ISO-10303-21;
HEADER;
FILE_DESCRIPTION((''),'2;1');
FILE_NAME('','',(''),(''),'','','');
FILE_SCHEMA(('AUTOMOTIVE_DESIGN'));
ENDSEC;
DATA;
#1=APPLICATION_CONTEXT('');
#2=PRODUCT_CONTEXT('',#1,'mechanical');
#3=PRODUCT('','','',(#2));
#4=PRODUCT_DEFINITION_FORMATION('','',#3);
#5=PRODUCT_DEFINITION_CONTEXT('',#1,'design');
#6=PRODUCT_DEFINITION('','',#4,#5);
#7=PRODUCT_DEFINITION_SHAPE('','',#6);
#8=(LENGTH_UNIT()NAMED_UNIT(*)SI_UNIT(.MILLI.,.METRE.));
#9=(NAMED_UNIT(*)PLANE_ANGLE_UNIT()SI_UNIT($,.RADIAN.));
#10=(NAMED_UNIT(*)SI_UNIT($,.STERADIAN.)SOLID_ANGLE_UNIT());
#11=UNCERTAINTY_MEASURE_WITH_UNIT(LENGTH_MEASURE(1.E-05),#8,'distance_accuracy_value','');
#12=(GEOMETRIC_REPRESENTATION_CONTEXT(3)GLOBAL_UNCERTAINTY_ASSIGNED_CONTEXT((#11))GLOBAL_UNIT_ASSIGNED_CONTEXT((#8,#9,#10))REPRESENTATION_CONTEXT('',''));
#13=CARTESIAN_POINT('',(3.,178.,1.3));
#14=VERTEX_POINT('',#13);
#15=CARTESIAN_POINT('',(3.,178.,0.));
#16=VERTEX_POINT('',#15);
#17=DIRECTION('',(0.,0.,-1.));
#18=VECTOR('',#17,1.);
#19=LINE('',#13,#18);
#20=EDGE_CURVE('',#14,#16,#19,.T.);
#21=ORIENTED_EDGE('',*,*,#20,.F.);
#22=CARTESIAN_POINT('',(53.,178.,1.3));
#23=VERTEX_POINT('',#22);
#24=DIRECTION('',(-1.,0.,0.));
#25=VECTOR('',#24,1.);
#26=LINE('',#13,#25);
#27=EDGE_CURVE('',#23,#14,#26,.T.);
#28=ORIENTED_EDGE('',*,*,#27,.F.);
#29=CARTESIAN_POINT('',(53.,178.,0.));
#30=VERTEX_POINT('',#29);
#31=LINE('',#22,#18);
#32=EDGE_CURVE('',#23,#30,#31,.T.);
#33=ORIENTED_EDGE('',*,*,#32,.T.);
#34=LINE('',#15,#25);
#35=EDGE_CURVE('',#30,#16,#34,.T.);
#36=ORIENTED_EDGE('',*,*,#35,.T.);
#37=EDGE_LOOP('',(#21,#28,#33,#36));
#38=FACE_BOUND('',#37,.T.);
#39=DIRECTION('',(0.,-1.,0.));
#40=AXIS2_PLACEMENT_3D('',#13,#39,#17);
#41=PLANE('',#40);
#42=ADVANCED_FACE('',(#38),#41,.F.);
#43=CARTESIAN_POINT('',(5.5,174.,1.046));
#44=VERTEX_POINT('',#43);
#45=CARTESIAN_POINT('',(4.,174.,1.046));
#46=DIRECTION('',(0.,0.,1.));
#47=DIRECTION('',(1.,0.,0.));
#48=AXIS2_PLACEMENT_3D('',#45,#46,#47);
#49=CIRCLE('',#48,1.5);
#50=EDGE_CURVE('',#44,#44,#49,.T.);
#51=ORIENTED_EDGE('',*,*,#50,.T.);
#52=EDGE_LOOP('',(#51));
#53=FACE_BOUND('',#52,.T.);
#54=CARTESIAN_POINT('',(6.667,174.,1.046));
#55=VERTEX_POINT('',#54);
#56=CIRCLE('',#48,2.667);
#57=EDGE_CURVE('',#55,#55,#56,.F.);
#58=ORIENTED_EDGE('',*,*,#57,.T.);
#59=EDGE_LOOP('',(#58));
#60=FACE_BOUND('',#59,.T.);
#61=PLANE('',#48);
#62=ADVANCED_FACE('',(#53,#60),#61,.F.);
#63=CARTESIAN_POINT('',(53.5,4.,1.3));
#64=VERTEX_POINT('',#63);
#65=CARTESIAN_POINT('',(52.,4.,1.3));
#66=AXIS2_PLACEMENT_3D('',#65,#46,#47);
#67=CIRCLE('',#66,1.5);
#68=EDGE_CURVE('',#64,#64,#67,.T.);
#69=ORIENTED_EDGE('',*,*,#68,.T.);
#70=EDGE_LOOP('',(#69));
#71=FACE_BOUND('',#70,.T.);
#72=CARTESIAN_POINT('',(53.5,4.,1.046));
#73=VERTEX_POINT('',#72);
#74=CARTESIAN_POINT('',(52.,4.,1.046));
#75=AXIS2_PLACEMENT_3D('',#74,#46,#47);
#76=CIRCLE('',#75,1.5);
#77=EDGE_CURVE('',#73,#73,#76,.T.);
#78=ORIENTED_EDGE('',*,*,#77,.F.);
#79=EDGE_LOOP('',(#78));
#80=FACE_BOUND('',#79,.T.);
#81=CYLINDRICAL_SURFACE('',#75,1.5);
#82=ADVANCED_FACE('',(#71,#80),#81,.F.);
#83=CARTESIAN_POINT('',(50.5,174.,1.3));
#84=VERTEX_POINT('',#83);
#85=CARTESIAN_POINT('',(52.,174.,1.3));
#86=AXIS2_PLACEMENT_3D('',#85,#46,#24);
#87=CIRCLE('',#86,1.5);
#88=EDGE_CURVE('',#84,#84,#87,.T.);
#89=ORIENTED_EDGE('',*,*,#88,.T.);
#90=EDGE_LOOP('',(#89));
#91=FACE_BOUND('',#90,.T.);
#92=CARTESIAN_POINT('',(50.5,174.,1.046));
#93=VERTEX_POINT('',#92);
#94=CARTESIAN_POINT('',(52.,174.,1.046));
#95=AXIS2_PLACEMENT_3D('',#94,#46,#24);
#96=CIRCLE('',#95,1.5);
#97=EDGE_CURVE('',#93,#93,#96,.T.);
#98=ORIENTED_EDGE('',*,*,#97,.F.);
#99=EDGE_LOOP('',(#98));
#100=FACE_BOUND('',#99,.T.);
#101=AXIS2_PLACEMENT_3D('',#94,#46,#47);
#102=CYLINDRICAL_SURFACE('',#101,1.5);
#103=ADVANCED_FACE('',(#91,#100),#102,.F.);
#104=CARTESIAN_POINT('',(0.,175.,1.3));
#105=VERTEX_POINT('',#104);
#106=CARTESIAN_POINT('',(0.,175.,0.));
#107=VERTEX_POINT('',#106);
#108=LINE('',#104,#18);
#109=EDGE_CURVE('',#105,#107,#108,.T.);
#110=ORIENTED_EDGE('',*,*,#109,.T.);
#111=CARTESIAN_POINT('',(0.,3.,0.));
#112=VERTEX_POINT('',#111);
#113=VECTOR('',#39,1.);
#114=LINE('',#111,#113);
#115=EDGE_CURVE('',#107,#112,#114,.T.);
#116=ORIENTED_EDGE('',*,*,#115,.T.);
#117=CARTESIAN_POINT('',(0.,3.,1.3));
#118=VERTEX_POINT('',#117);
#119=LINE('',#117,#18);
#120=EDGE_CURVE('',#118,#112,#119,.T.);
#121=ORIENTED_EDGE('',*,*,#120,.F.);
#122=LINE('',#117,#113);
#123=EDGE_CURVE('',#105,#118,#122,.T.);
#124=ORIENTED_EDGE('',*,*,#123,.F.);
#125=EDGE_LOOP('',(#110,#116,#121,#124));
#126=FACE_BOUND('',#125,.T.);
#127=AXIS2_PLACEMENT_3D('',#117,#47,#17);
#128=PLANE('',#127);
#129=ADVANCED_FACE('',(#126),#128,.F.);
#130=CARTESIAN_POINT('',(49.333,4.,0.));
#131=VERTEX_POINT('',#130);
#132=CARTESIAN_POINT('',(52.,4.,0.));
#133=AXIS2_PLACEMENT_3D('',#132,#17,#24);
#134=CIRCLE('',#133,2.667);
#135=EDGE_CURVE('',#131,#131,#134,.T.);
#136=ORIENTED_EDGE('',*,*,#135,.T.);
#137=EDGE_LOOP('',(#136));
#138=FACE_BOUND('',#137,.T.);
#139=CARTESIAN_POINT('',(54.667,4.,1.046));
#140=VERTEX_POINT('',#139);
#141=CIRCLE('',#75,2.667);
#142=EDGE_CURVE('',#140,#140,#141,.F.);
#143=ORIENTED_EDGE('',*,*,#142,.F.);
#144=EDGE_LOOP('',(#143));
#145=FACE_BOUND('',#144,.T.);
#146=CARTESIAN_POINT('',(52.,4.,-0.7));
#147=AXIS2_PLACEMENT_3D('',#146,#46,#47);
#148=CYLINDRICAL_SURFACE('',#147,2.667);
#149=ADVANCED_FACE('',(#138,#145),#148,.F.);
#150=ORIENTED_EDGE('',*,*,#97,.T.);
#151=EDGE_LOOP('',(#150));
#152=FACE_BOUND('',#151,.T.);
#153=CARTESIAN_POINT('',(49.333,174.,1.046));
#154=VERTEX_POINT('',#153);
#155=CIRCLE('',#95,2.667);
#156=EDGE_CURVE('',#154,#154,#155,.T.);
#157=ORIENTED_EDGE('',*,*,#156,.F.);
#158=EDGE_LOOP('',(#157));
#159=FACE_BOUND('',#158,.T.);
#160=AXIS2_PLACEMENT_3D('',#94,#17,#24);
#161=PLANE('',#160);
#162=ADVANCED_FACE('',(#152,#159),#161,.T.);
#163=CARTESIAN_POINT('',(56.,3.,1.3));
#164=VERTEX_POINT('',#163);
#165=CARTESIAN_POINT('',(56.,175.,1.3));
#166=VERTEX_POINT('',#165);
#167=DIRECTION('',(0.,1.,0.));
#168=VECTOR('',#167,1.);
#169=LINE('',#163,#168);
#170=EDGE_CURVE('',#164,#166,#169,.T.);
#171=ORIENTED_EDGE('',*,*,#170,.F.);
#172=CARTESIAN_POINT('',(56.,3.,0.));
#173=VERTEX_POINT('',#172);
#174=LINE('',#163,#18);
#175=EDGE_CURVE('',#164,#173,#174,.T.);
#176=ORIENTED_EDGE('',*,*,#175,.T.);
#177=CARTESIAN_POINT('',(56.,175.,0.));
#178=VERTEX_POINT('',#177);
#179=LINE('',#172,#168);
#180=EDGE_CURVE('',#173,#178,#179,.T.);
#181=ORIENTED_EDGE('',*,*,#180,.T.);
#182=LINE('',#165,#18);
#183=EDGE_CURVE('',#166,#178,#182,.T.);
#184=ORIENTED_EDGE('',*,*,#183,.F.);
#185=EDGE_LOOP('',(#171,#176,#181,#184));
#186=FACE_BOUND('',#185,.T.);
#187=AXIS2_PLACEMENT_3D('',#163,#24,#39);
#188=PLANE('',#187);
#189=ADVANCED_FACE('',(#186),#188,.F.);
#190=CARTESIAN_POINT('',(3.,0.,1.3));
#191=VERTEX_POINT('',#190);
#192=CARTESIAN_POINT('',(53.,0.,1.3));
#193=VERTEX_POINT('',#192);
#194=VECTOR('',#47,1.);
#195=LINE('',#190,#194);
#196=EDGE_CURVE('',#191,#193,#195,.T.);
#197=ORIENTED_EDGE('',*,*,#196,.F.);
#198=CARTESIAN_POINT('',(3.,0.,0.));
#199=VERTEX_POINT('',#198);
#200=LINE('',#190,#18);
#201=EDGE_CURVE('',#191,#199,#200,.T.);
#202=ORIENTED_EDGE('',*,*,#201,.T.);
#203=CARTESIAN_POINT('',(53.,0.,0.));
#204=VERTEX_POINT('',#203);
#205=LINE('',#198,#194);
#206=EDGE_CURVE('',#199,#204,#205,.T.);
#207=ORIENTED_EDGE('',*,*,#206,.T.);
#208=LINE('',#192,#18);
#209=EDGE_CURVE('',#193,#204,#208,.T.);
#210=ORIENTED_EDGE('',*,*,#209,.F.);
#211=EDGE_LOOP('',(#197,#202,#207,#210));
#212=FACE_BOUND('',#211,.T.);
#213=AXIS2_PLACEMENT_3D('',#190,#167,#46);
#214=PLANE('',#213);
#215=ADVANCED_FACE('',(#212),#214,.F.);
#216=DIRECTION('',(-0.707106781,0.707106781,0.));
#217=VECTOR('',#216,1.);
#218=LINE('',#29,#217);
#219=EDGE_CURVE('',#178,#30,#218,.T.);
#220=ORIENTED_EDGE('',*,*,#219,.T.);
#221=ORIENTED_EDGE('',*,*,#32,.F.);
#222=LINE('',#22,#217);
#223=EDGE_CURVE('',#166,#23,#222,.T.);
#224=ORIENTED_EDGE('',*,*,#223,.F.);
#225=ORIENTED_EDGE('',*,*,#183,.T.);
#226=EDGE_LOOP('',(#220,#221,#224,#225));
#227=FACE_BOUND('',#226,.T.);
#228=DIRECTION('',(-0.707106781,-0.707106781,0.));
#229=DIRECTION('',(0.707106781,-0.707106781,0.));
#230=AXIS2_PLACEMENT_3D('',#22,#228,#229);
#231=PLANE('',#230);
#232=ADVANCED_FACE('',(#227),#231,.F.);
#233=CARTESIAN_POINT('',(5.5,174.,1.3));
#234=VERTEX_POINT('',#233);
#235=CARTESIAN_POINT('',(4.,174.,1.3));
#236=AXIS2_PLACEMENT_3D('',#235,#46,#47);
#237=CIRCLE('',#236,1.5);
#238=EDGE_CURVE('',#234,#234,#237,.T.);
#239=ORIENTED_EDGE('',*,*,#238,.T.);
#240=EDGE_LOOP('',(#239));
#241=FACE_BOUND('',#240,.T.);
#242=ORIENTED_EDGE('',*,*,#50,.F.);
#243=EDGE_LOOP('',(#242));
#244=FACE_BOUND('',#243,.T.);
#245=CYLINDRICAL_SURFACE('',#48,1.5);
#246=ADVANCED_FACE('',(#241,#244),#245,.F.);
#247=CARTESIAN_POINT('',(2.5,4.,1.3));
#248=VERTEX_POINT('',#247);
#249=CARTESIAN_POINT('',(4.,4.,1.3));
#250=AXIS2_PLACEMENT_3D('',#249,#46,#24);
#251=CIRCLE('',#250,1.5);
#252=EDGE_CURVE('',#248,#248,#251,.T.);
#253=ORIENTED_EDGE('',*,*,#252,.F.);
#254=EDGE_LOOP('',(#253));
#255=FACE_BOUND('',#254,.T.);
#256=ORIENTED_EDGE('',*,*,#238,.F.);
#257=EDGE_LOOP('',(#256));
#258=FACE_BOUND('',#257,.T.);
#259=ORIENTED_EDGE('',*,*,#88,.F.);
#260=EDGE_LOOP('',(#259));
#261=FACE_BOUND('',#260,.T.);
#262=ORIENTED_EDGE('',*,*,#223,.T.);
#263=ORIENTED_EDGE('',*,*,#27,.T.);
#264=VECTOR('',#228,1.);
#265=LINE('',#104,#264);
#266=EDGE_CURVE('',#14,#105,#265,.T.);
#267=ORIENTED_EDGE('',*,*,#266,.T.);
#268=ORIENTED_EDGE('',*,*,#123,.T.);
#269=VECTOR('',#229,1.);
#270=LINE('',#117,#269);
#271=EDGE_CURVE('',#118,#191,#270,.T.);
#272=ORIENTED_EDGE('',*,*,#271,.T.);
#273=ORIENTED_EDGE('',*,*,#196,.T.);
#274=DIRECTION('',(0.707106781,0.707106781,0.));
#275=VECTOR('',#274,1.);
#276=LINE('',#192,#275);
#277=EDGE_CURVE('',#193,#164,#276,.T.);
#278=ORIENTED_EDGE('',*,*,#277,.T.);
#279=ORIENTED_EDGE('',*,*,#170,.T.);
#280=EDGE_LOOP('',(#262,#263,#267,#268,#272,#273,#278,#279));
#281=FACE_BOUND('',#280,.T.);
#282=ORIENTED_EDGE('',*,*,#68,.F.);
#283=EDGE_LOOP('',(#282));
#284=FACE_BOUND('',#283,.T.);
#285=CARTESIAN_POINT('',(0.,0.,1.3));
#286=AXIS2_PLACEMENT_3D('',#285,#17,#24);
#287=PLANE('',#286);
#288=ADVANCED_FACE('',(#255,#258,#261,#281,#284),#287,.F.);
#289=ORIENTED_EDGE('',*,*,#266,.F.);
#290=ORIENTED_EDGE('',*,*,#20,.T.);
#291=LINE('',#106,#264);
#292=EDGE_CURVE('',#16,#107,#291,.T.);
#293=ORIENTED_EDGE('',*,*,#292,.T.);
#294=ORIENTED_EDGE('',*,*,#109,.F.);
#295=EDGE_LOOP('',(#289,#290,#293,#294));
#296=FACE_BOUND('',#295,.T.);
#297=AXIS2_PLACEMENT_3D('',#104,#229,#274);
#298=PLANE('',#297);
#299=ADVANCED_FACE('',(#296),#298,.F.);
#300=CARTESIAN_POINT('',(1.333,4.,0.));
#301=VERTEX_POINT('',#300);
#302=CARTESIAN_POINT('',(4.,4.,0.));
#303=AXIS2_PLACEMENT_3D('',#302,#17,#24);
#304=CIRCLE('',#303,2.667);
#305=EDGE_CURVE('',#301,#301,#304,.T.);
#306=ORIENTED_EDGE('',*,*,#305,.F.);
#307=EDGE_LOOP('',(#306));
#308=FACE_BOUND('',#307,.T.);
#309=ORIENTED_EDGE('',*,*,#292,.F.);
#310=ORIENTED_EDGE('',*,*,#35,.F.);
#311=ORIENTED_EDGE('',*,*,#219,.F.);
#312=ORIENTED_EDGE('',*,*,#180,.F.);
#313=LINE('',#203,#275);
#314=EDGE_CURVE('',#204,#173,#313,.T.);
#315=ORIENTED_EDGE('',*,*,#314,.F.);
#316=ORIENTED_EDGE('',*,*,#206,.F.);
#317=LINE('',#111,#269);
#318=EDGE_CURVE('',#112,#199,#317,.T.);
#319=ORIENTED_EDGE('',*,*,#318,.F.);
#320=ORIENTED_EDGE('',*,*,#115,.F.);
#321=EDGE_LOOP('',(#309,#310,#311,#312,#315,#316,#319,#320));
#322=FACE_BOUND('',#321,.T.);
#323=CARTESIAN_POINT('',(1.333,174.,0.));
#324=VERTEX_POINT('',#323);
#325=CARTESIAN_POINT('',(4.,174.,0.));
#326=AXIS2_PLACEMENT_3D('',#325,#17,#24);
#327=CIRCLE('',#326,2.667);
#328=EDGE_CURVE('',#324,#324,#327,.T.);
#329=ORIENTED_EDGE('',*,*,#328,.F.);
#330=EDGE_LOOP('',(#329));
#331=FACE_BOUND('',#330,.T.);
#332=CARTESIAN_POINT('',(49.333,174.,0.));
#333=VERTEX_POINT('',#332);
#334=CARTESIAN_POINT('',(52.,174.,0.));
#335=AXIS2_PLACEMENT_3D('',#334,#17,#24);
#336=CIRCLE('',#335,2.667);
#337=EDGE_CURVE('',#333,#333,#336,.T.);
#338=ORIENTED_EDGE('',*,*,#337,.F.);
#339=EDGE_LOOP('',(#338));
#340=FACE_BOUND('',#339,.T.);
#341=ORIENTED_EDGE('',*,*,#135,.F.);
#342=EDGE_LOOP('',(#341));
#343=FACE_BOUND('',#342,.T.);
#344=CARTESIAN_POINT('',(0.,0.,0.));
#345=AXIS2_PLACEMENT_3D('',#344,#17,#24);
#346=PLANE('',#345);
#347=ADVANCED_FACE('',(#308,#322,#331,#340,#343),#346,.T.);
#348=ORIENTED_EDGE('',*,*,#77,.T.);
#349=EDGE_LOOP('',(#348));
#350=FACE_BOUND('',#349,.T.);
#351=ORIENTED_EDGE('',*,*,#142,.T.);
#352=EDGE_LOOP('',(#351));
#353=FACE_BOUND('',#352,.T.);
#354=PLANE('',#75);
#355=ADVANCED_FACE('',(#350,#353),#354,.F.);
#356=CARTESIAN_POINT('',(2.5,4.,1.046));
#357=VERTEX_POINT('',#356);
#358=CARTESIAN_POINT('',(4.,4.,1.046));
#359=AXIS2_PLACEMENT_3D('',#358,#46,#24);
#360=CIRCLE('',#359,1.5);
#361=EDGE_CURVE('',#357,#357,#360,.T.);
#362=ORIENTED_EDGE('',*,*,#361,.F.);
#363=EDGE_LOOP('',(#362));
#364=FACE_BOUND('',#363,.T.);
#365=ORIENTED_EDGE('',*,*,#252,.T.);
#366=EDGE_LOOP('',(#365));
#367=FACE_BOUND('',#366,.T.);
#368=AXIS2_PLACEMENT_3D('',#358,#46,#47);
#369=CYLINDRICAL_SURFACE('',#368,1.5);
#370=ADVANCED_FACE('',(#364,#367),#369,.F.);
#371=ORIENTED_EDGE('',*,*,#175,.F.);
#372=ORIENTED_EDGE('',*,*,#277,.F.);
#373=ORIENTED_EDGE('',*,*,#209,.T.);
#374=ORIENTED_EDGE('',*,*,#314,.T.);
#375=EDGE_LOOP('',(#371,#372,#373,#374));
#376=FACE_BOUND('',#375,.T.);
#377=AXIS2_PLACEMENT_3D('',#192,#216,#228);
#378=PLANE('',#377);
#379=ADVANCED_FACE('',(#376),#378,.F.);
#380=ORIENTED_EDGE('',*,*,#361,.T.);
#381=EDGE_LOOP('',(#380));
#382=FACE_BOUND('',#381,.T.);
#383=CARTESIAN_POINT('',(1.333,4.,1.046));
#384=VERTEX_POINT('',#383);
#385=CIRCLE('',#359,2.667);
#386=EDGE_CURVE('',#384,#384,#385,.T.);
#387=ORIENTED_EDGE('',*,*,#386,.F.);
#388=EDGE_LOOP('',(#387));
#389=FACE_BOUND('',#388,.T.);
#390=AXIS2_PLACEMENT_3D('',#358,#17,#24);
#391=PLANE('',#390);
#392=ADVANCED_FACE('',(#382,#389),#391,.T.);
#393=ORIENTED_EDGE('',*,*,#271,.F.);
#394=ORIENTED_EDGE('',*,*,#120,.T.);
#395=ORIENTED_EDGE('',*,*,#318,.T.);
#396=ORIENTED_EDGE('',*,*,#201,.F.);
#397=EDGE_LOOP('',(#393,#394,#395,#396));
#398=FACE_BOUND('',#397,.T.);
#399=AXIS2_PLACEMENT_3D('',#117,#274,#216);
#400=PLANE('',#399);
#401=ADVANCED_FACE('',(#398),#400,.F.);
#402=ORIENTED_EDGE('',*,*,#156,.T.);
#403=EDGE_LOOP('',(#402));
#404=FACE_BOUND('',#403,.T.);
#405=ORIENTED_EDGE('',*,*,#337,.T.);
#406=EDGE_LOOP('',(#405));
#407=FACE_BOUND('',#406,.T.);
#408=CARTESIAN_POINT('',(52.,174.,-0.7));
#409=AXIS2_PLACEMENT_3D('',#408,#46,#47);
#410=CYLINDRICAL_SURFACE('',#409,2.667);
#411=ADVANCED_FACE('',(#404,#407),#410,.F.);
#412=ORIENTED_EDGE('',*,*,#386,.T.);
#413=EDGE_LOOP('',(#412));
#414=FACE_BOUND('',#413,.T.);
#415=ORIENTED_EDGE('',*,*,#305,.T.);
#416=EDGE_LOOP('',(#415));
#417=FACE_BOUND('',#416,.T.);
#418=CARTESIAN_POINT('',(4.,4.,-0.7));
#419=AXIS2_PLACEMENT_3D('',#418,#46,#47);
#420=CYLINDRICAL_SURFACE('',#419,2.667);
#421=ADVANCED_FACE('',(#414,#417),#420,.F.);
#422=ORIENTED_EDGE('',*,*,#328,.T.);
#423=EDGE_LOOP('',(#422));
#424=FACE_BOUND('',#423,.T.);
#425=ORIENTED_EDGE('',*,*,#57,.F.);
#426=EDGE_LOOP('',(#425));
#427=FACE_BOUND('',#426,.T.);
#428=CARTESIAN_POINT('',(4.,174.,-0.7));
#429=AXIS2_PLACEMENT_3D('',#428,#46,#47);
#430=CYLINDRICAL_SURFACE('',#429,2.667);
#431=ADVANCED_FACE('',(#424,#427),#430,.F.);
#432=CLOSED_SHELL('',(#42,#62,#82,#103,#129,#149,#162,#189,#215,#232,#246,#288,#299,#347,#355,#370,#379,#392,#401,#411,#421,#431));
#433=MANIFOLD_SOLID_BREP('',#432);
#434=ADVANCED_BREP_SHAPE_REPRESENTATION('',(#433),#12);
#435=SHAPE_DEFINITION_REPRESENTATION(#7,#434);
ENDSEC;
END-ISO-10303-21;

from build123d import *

# Parameters (mm, degrees)
BOSS_EXTRUDE1_DEPTH = 1.3
SKETCH4_R           = 2.667
CUT_EXTRUDE1_DEPTH  = 2
SKETCH5_R           = 2.667
SKETCH5_R_2         = 1.5
BOSS_EXTRUDE2_DEPTH = 0.254


with BuildPart() as part:
    # Sketch2 → Boss-Extrude1 (new body)
    with BuildSketch(Plane.XY):
        Polygon((0, 175), (3, 178), (53, 178), (56, 175), (56, 3), (53, 0), (3, 0), (0, 3), align=None)
    extrude(amount=BOSS_EXTRUDE1_DEPTH)

    # Sketch4 → Cut-Extrude1 (cut)
    with BuildSketch(Plane.XY.offset(1.3)):
        with Locations((4, 174)):
            Circle(SKETCH4_R)
        with Locations(Location((52, 174, 0), (0, 0, 180))):
            Circle(SKETCH4_R)
        with Locations((52, 4)):
            Circle(SKETCH4_R)
        with Locations(Location((4, 4, 0), (0, 0, 180))):
            Circle(SKETCH4_R)
    extrude(amount=-CUT_EXTRUDE1_DEPTH, mode=Mode.SUBTRACT)

    # Sketch5 → Boss-Extrude2 (add)
    # profile 1 of 4: a face of its own
    with BuildSketch(Plane.XY.offset(1.3)):
        with Locations((4, 174)):
            Circle(SKETCH5_R)
        with Locations((4, 174)):
            Circle(SKETCH5_R_2, mode=Mode.SUBTRACT)
    # profile 2 of 4: a face of its own
    with BuildSketch(Plane.XY.offset(1.3)):
        with Locations(Location((52, 174, 0), (0, 0, 180))):
            Circle(SKETCH5_R)
        with Locations(Location((52, 174, 0), (0, 0, 180))):
            Circle(SKETCH5_R_2, mode=Mode.SUBTRACT)
    # profile 3 of 4: a face of its own
    with BuildSketch(Plane.XY.offset(1.3)):
        with Locations((52, 4)):
            Circle(SKETCH5_R)
        with Locations((52, 4)):
            Circle(SKETCH5_R_2, mode=Mode.SUBTRACT)
    # profile 4 of 4: a face of its own
    with BuildSketch(Plane.XY.offset(1.3)):
        with Locations(Location((4, 4, 0), (0, 0, 180))):
            Circle(SKETCH5_R)
        with Locations(Location((4, 4, 0), (0, 0, 180))):
            Circle(SKETCH5_R_2, mode=Mode.SUBTRACT)
    extrude(amount=-BOSS_EXTRUDE2_DEPTH)


solid = part.part
